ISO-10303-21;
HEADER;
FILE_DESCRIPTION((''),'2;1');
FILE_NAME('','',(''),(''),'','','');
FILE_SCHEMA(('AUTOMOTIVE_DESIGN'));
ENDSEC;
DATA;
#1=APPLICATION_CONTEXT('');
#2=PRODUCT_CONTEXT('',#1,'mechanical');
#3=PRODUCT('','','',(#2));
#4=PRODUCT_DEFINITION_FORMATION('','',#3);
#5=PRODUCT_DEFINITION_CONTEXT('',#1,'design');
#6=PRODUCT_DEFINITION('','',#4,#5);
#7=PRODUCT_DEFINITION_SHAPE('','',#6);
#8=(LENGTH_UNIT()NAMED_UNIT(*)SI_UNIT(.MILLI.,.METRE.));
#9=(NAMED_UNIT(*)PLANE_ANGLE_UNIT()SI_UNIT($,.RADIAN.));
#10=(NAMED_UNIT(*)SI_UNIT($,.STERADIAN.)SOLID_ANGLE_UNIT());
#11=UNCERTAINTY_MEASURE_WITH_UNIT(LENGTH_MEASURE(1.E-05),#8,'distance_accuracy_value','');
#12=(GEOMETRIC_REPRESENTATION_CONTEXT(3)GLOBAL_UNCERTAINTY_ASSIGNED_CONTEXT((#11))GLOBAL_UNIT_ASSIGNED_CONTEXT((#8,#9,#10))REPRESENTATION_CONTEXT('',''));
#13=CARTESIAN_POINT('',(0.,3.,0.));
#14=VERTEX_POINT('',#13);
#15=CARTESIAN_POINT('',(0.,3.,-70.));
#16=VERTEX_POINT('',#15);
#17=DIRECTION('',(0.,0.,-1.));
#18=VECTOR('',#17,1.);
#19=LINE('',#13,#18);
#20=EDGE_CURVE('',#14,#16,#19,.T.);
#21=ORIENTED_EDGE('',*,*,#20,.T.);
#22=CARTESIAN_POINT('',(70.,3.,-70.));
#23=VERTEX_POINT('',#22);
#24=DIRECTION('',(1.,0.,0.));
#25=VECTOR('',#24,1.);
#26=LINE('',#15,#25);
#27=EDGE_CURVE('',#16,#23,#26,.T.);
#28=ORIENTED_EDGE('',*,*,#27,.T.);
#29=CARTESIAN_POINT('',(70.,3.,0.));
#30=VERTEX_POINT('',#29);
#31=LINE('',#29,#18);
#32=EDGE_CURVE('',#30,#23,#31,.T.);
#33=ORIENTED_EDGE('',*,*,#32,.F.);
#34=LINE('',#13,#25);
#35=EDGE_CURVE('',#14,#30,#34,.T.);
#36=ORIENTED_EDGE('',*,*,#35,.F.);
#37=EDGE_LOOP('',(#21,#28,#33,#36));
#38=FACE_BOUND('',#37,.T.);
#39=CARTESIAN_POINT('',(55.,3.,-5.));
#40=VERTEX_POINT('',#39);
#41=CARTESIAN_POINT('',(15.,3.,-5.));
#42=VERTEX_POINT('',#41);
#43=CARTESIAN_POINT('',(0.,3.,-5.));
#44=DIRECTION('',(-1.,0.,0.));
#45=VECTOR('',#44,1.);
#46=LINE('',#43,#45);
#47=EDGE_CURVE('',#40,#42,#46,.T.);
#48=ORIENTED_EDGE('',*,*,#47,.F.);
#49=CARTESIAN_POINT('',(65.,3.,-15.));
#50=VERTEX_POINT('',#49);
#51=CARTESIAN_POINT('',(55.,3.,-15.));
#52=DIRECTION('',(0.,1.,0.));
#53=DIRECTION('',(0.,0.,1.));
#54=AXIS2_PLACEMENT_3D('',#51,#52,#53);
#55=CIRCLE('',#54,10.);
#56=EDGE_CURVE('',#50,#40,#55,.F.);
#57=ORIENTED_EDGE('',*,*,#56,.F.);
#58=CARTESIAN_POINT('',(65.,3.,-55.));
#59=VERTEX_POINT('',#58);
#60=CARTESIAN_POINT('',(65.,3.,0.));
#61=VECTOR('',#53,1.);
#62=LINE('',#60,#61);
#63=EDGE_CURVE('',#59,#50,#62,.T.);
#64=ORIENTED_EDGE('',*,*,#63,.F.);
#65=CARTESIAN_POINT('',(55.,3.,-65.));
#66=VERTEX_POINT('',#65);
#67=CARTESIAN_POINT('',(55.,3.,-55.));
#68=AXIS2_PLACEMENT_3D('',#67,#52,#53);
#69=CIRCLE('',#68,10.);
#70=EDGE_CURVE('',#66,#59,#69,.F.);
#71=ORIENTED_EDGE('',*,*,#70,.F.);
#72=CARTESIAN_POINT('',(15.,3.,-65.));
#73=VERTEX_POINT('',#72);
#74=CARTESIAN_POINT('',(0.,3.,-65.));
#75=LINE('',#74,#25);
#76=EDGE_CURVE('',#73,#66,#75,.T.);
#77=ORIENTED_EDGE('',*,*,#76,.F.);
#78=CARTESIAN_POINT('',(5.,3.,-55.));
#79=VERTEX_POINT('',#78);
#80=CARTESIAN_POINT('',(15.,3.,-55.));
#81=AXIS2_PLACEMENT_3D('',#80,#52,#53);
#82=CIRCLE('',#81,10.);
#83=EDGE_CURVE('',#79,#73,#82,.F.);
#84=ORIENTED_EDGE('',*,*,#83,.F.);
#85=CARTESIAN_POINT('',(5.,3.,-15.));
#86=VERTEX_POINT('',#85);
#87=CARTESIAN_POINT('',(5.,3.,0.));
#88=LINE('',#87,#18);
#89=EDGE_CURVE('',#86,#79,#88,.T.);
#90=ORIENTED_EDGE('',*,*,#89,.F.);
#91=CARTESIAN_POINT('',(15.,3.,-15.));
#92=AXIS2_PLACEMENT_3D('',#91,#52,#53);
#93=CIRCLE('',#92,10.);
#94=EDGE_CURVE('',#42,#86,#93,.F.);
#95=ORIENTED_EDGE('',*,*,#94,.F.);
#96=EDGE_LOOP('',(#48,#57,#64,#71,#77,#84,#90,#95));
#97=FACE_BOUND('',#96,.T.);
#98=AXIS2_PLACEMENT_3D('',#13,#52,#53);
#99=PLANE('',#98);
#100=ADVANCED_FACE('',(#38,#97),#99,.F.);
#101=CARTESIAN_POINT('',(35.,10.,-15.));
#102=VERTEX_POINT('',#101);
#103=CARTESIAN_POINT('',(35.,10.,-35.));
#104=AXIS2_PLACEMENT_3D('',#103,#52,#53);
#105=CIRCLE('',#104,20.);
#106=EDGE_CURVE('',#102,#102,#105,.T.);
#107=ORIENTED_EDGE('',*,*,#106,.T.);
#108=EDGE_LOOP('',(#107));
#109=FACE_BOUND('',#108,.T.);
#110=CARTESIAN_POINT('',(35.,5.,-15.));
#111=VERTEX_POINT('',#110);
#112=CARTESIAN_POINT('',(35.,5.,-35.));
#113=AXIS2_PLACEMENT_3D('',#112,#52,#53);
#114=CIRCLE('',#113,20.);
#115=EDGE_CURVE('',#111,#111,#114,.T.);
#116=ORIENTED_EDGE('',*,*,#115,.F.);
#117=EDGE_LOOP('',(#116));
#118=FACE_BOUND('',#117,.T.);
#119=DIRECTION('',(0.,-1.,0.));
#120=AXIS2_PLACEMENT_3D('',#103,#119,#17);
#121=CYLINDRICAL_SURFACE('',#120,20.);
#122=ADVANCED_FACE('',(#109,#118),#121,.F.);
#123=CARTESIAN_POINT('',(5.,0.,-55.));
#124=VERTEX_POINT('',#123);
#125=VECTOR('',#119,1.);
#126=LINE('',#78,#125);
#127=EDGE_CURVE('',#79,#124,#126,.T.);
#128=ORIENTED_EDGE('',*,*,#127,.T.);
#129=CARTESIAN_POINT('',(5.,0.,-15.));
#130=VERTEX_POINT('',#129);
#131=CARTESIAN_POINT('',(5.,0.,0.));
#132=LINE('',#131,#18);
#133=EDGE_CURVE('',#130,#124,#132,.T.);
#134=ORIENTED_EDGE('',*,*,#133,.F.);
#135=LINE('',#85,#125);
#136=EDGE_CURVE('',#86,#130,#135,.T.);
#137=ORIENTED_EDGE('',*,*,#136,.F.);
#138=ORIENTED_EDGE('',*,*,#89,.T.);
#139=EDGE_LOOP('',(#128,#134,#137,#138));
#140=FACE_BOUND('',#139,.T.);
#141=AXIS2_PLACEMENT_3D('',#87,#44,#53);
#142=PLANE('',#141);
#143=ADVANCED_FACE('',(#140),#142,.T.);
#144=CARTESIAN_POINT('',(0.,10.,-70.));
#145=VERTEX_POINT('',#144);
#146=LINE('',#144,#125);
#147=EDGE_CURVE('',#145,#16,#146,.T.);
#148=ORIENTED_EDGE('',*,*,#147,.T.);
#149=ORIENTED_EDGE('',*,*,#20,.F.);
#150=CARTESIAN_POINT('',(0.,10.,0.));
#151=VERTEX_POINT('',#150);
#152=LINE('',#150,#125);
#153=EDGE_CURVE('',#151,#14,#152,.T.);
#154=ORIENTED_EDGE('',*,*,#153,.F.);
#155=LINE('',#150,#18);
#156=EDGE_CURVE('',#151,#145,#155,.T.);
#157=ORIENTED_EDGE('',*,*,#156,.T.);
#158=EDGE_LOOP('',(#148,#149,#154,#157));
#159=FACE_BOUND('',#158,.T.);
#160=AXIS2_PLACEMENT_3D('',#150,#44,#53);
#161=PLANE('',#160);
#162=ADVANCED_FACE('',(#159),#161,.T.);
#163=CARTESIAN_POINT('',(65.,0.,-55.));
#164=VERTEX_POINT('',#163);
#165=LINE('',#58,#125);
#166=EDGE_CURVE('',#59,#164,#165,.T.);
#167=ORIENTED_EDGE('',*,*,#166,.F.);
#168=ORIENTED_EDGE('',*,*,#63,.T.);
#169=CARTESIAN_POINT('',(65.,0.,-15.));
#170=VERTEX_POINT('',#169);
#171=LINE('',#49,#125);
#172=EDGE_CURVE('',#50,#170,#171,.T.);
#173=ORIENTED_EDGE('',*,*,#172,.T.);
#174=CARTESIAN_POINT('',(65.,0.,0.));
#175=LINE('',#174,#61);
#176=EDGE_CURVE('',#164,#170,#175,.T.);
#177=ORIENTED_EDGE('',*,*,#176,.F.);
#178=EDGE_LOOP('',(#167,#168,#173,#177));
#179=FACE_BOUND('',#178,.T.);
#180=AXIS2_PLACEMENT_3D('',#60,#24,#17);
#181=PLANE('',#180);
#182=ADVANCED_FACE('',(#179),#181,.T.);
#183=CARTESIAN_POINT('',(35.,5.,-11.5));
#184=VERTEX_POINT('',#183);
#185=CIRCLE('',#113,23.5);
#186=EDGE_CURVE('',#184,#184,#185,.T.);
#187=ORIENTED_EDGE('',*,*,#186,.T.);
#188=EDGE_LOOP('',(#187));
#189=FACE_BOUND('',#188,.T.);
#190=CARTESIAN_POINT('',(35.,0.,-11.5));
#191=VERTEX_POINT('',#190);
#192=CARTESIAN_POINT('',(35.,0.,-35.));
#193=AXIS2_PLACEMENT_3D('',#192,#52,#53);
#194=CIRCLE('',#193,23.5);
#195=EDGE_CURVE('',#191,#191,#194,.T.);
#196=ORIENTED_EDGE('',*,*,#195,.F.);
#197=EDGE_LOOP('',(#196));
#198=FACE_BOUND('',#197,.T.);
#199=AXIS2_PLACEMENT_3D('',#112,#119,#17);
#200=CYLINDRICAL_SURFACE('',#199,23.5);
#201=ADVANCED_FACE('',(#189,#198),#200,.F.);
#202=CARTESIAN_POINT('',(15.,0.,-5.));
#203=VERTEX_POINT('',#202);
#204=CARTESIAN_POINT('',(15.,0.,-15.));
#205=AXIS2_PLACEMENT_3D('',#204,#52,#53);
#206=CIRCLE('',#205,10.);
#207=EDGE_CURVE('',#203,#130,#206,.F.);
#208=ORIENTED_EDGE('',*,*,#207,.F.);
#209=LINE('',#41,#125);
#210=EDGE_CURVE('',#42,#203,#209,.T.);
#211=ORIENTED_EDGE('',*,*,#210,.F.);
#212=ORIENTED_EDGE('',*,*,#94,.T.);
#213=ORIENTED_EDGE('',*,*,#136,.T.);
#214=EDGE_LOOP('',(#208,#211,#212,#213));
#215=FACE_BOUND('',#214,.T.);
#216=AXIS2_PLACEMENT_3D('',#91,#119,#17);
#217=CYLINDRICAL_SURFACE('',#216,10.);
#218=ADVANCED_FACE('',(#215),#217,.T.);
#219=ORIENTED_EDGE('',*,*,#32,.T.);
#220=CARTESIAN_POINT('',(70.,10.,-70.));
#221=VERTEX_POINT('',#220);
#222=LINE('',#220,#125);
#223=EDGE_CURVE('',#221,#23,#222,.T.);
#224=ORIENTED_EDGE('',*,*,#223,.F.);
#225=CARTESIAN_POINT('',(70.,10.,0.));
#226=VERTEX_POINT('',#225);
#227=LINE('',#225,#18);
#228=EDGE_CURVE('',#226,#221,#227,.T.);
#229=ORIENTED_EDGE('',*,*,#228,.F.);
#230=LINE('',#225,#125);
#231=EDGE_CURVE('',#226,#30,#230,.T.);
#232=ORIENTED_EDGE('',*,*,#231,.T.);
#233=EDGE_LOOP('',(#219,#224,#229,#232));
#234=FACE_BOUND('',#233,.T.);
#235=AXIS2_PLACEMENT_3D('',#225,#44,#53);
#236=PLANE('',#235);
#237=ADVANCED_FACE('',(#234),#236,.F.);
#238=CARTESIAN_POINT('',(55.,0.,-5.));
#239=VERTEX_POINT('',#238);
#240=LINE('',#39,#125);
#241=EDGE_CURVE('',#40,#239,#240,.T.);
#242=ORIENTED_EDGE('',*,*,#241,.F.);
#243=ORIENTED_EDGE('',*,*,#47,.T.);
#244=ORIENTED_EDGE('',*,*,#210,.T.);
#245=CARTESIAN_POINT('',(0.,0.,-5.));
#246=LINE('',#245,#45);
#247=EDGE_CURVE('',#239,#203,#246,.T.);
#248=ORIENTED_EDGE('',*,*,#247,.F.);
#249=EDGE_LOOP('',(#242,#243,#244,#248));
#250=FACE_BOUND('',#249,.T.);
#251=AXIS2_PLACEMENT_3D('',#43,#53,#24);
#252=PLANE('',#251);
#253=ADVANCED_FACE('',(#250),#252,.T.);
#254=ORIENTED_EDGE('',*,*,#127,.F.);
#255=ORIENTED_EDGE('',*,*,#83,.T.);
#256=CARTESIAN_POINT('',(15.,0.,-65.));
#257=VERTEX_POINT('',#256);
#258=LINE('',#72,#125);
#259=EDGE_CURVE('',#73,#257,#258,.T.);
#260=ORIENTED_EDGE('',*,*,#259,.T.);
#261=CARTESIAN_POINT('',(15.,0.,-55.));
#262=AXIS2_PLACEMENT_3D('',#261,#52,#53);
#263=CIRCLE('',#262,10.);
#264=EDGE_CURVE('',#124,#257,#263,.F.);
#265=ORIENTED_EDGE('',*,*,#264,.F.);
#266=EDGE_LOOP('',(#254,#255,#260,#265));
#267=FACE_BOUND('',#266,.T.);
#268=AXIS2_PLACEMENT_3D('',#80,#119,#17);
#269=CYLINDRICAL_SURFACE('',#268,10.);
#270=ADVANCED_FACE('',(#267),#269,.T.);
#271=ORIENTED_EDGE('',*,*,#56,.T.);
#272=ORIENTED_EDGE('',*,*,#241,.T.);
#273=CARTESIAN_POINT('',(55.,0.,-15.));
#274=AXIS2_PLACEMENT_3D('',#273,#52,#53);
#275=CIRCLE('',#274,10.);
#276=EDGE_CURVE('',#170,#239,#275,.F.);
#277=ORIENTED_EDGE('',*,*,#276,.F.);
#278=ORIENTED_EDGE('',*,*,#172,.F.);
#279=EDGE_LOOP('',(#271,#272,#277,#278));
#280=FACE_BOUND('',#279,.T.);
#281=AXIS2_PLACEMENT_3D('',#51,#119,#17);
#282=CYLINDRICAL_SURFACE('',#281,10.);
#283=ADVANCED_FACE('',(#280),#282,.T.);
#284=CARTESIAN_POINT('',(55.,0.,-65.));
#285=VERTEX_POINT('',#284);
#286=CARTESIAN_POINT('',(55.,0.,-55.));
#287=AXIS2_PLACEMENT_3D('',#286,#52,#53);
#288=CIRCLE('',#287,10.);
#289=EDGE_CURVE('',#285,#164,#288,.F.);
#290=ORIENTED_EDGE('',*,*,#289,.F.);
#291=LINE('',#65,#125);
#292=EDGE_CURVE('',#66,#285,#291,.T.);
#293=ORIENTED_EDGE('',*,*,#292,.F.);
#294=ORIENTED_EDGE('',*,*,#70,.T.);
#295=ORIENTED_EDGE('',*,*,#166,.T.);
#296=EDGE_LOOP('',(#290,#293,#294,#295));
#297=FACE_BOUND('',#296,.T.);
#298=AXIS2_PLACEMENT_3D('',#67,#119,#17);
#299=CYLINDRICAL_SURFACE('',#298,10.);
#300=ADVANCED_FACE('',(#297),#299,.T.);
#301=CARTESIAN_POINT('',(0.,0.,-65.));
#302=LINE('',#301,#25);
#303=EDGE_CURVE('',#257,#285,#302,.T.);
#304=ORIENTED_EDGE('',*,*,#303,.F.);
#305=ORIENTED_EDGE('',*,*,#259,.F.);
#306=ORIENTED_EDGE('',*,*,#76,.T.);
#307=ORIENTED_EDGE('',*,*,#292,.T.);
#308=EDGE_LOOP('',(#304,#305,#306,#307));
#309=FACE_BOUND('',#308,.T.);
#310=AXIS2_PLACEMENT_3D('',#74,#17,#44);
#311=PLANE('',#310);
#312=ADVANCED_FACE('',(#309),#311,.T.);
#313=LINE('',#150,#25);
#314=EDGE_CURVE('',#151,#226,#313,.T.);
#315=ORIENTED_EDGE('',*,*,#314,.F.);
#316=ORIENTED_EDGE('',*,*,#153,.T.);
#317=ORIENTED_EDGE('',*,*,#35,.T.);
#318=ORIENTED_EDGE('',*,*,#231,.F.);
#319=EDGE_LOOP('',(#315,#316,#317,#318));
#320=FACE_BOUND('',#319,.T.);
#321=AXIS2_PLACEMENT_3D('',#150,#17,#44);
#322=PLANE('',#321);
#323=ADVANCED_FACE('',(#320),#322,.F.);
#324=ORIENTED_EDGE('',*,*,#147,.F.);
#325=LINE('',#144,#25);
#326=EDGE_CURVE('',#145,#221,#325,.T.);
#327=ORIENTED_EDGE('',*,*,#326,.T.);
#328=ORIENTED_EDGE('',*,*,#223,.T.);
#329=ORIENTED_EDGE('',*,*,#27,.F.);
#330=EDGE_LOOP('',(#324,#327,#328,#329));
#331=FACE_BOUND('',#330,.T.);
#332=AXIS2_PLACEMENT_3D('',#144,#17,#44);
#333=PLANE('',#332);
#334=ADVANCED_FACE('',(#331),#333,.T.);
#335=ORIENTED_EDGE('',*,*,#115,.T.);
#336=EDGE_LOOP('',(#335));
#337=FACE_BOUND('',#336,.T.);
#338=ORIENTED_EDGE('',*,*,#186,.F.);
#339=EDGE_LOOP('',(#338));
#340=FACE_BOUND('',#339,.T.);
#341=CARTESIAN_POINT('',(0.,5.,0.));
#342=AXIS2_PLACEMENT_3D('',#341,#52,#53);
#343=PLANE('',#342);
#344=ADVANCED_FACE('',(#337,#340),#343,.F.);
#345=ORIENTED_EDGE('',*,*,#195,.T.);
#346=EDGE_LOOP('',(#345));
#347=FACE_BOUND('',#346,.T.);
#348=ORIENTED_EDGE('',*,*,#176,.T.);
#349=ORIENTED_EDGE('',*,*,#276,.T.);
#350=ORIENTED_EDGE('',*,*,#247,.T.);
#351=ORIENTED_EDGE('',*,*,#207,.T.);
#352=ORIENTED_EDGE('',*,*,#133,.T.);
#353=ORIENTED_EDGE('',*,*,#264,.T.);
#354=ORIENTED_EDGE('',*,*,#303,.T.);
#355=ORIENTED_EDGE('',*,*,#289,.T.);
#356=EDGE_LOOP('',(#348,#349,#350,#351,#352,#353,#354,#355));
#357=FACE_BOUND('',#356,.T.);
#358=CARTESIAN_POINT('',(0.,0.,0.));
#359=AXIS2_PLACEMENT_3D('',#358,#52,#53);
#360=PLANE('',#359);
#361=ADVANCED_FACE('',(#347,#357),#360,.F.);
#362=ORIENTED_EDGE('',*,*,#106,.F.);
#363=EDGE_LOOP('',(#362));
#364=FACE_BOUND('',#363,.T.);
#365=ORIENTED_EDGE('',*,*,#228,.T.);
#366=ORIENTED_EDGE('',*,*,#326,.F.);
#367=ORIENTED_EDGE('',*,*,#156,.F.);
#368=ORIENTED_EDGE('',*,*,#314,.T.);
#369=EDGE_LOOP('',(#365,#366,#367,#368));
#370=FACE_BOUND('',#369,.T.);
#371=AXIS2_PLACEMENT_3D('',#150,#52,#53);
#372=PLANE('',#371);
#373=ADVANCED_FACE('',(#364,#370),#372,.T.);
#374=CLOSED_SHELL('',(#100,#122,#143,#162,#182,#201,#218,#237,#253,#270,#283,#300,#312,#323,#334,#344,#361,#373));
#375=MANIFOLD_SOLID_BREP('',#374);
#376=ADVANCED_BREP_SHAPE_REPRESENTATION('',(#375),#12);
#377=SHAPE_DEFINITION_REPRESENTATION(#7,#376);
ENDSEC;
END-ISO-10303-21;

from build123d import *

# Parameters (mm, degrees)
SZKIC1_W                    = 70
SZKIC1_H                    = 70
SZKIC1_R                    = 20
DODANIE_WYCI_GNI_CIE1_DEPTH = 10
SZKIC1_3_W                  = 70
SZKIC1_3_H                  = 70
WYTNIJ_WYCI_GNI_CIE1_DEPTH  = 3
SZKIC1_4_R                  = 23.5
SZKIC1_4_R_2                = 20
WYTNIJ_WYCI_GNI_CIE2_DEPTH  = 5


with BuildPart() as part:
    # Szkic1 → Dodanie-wyciągnięcie1 (new body)
    with BuildSketch(Plane(origin=(0, 0, 0), x_dir=(1, 0, 0), z_dir=(0, 1, 0))):
        with Locations((35, 35)):
            Rectangle(SZKIC1_W, SZKIC1_H)
        with Locations((35, 35)):
            Circle(SZKIC1_R, mode=Mode.SUBTRACT)
    extrude(amount=DODANIE_WYCI_GNI_CIE1_DEPTH)

    # Szkic1<3> → Wytnij-wyciągnięcie1 (cut)
    with BuildSketch(Plane(origin=(0, 0, 0), x_dir=(1, 0, 0), z_dir=(0, 1, 0))):
        with Locations((35, 35)):
            Rectangle(SZKIC1_3_W, SZKIC1_3_H)
        with BuildLine():
            Line((5, 15), (5, 35))
            Line((5, 35), (5, 55))
            ThreePointArc((5, 55), (7.928932188, 62.071067812), (15, 65))
            Line((15, 65), (55, 65))
            ThreePointArc((55, 65), (62.071067812, 62.071067812), (65, 55))
            Line((65, 55), (65, 15))
            ThreePointArc((65, 15), (62.071067812, 7.928932188), (55, 5))
            Line((55, 5), (15, 5))
            ThreePointArc((15, 5), (7.928932188, 7.928932188), (5, 15))
        make_face(mode=Mode.SUBTRACT)
    extrude(amount=WYTNIJ_WYCI_GNI_CIE1_DEPTH, mode=Mode.SUBTRACT)

    # Szkic1<4> → Wytnij-wyciągnięcie2 (cut)
    with BuildSketch(Plane(origin=(0, 0, 0), x_dir=(1, 0, 0), z_dir=(0, 1, 0))):
        with Locations((35, 35)):
            Circle(SZKIC1_4_R)
        with Locations((35, 35)):
            Circle(SZKIC1_4_R_2, mode=Mode.SUBTRACT)
    extrude(amount=WYTNIJ_WYCI_GNI_CIE2_DEPTH, mode=Mode.SUBTRACT)


solid = part.part
